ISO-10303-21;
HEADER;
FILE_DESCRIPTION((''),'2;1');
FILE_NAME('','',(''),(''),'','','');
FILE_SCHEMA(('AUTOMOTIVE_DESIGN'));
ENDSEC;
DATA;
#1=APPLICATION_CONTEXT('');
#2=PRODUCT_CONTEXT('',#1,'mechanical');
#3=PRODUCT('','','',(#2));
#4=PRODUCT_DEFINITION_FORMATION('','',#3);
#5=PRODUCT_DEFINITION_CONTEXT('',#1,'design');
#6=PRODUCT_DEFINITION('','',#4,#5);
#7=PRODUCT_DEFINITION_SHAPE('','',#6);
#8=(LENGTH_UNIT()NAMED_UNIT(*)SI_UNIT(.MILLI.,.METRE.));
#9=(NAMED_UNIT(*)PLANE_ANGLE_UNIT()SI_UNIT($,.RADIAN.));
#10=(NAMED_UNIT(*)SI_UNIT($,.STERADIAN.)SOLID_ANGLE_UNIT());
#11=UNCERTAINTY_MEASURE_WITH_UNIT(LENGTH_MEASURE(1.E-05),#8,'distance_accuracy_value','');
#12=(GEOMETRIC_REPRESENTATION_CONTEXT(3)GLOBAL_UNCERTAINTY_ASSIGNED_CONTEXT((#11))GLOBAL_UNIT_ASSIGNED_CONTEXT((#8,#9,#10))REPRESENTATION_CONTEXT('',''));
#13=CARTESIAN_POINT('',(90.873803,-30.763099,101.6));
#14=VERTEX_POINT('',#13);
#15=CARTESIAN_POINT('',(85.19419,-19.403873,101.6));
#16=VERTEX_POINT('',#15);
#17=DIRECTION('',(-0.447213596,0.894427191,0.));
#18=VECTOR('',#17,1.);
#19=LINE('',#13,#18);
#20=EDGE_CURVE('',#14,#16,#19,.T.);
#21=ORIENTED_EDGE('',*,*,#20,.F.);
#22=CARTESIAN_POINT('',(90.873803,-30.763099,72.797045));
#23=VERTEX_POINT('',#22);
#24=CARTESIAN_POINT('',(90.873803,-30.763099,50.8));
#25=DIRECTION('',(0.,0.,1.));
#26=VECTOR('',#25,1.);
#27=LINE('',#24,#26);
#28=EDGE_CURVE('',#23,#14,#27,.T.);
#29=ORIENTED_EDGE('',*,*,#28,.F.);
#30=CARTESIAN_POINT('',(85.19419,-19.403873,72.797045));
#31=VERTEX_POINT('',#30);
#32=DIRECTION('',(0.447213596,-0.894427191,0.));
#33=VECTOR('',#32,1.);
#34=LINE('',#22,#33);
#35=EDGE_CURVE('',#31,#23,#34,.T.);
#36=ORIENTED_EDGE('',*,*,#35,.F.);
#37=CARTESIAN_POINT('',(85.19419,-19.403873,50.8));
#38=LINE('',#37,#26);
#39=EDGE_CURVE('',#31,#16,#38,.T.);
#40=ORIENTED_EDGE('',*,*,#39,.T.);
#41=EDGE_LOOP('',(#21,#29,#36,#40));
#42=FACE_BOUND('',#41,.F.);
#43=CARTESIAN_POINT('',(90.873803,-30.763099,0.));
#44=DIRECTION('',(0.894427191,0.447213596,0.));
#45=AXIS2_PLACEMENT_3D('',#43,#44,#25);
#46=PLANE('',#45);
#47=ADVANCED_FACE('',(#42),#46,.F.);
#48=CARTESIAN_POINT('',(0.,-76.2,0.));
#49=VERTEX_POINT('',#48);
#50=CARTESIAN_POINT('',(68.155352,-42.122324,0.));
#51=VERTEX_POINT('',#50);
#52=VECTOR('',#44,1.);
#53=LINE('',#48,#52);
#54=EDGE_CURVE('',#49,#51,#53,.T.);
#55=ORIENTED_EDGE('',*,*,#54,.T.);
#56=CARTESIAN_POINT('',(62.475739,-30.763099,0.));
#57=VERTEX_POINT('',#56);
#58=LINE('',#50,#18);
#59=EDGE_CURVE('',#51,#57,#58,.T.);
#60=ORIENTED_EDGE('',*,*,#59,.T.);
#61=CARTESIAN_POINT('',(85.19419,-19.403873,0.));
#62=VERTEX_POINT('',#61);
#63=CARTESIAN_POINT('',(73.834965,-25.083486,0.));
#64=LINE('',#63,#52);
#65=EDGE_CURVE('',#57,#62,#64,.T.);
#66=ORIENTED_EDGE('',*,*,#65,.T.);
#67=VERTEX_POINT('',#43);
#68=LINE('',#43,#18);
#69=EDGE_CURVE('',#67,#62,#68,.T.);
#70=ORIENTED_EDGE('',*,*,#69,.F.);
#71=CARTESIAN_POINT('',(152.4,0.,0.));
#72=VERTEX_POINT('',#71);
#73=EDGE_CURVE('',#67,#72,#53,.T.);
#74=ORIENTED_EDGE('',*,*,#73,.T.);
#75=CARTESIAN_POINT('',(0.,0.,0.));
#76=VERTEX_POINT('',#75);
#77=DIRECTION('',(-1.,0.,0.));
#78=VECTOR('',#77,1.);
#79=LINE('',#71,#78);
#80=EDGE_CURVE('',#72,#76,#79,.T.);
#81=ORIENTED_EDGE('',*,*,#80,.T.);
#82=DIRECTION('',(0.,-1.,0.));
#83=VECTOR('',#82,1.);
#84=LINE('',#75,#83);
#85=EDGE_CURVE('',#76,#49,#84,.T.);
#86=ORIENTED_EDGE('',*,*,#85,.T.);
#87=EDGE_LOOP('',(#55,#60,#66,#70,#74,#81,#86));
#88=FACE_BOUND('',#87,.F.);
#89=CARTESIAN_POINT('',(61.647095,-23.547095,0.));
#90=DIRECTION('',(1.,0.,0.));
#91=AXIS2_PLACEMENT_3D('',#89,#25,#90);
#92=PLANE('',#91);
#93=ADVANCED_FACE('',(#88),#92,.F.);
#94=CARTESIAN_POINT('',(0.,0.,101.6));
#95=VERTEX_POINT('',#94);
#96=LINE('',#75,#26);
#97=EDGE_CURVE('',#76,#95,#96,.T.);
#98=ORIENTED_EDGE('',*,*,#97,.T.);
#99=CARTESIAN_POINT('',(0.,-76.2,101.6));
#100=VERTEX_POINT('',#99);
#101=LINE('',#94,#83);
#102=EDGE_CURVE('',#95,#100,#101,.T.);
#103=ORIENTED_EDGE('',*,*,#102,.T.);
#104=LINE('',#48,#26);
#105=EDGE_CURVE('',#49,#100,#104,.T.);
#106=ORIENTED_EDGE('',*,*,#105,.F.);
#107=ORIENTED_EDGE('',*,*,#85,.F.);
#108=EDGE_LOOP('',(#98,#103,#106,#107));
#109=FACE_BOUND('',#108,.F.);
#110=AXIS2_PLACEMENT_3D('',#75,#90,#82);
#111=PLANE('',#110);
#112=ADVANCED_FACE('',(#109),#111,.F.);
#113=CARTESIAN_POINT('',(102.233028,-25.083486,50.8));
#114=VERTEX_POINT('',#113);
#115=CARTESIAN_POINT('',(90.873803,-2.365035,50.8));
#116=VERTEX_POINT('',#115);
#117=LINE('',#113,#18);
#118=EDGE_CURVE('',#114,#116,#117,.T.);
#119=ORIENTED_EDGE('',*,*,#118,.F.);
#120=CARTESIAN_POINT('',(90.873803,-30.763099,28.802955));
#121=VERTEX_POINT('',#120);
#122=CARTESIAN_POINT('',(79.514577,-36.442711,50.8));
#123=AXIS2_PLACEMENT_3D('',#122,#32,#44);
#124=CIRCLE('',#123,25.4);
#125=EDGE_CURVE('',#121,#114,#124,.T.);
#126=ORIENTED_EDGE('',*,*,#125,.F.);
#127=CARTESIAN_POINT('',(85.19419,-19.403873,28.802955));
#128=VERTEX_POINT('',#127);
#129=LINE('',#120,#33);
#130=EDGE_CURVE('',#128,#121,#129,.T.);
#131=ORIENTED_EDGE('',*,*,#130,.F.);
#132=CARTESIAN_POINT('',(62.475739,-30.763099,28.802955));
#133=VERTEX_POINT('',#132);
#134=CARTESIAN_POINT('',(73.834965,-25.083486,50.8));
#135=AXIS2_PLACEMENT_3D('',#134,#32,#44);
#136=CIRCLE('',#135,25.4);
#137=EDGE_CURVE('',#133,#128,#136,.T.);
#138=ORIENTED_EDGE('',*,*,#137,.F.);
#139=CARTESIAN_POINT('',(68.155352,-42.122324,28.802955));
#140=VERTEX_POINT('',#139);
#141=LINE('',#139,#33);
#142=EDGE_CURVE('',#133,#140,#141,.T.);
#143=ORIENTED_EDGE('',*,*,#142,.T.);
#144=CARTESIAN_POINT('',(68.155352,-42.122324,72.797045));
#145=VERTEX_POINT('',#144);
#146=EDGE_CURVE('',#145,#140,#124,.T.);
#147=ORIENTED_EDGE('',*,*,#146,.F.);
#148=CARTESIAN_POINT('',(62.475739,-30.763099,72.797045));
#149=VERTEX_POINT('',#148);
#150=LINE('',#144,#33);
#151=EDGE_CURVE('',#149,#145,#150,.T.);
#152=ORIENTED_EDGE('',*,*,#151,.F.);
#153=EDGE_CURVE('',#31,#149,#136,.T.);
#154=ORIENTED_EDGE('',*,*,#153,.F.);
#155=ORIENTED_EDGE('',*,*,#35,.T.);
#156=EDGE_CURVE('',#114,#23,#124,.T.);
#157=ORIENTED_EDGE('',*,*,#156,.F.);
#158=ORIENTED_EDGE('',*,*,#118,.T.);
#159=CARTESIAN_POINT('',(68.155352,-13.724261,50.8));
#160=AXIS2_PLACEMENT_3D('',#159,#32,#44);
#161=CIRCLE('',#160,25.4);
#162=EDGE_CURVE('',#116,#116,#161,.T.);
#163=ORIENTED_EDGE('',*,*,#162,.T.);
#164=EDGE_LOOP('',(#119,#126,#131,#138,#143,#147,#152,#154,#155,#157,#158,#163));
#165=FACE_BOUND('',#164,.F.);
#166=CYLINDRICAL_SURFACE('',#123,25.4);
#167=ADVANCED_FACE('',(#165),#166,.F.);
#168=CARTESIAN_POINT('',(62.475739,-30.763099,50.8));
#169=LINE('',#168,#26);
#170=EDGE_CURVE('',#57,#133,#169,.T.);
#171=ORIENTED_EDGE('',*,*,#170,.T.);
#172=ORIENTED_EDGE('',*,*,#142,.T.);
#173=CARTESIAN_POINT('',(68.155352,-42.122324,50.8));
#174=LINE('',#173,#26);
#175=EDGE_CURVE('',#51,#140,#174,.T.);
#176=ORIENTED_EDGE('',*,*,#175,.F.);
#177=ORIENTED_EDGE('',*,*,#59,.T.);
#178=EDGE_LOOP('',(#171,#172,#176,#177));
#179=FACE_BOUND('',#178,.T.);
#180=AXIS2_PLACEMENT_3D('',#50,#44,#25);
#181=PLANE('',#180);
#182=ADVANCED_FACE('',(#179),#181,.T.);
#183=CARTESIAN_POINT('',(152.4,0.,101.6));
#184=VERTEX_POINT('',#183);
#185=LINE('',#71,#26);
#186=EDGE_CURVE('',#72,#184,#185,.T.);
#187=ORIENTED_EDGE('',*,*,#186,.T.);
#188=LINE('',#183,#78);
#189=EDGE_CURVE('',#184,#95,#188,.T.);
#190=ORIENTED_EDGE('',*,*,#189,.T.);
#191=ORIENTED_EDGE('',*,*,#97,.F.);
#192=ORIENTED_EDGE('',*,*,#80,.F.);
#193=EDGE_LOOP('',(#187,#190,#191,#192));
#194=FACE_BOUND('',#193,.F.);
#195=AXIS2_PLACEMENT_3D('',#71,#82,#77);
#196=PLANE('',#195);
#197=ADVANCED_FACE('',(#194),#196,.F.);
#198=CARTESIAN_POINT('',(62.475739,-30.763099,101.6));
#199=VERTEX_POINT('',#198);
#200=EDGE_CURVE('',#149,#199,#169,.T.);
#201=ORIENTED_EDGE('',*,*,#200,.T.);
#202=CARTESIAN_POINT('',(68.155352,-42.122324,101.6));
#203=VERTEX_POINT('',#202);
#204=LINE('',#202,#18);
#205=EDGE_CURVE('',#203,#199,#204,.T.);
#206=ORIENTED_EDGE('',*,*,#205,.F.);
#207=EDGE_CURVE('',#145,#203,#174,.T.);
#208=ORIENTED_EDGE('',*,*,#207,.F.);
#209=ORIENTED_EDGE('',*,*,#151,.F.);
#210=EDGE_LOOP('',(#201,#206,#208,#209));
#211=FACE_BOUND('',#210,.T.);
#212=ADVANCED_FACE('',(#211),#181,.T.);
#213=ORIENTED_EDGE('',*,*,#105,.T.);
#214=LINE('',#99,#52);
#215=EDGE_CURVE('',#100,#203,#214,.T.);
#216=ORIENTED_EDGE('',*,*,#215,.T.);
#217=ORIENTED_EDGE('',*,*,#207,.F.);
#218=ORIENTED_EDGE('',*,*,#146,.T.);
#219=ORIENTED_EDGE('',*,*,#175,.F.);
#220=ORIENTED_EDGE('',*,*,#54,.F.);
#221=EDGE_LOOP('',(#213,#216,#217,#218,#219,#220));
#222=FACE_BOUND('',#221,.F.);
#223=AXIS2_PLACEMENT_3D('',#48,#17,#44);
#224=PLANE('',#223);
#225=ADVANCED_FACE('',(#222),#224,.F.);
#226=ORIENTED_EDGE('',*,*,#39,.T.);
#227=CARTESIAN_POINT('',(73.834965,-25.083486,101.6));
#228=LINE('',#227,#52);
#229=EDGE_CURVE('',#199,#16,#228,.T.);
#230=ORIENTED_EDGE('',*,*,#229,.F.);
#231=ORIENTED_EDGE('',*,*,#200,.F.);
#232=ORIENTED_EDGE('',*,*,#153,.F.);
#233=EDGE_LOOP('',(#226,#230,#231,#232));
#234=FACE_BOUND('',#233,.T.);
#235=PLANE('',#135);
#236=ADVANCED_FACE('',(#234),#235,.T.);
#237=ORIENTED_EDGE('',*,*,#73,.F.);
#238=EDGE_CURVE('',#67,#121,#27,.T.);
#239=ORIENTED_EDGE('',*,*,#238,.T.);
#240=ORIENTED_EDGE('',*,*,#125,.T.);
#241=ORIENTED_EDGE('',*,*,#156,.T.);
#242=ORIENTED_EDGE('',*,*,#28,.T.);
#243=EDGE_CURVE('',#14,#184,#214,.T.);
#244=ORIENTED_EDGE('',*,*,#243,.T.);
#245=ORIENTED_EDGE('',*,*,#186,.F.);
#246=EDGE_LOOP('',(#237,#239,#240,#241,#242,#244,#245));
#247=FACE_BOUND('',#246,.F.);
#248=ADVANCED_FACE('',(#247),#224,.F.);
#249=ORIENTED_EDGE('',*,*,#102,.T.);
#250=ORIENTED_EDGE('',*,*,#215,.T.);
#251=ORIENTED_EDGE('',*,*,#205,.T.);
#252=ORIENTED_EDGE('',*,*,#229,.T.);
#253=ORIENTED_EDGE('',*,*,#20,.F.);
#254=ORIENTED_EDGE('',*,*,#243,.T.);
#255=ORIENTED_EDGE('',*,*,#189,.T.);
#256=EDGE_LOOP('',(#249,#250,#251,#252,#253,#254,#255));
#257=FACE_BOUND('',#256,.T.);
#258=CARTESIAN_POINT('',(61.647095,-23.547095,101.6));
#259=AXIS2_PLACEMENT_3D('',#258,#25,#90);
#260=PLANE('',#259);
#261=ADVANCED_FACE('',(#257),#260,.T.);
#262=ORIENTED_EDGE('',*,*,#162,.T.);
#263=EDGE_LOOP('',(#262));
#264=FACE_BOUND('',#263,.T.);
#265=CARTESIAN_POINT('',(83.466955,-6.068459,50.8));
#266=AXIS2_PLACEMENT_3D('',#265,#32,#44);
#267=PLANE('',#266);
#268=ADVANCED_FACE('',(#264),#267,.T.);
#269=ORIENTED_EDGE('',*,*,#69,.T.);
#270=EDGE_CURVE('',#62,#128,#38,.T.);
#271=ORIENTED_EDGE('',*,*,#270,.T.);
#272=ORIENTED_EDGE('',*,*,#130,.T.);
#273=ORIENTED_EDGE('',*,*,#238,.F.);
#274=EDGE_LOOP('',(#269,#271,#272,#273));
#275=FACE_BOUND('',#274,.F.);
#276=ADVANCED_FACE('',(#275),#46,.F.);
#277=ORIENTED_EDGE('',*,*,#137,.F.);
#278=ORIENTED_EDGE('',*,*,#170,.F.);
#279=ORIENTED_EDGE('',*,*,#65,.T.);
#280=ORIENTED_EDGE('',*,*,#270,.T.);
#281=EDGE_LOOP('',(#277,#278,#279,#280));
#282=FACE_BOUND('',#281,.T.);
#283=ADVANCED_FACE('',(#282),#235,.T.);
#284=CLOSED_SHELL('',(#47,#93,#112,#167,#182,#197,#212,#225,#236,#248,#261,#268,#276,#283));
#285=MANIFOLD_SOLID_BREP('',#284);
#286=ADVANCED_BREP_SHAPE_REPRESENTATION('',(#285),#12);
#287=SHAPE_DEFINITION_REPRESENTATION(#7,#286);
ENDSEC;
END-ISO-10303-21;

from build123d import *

# Parameters (mm, degrees)
F1_DEPTH = 101.6
F2_W     = 25.4
F2_H     = 101.6
F3_DEPTH = 12.7
F5_DEPTH = 25.4


with BuildPart() as f1:
    # F0 (on Top) → F1 (new body)
    with BuildSketch(Plane.XY):
        Polygon((152.4, 0), (0, 0), (0, -76.2), align=None)
    extrude(amount=F1_DEPTH)

    # F2 (on face) → F3 (cut)
    with BuildSketch(Plane(origin=(30.48, -60.96, 0), x_dir=(0.894427191, 0.4472135955, 0), z_dir=(0.4472135955, -0.894427191, 0))):
        with Locations((54.8223240229, 50.8)):
            Rectangle(F2_W, F2_H)
    extrude(amount=-F3_DEPTH, mode=Mode.SUBTRACT)

    # F4 (on face) → F5 (cut)
    with BuildSketch(Plane(origin=(30.48, -60.96, 0), x_dir=(0.894427191, 0.4472135955, 0), z_dir=(0.4472135955, -0.894427191, 0))):
        with BuildLine():
            ThreePointArc((67.5223240229, 28.8029547439), (76.819369279, 38.1), (80.2223240229, 50.8))
            ThreePointArc((80.2223240229, 50.8), (76.819369279, 63.5), (67.5223240229, 72.7970452561))
            Line((67.5223240229, 72.7970452561), (67.5223240229, 28.8029547439))
        make_face()
        with BuildLine():
            Line((67.5223240229, 28.8029547439), (67.5223240229, 72.7970452561))
            ThreePointArc((67.5223240229, 72.7970452561), (29.4223240229, 50.8), (67.5223240229, 28.8029547439))
        make_face()
    extrude(amount=-F5_DEPTH, mode=Mode.SUBTRACT)


solid = f1.part
